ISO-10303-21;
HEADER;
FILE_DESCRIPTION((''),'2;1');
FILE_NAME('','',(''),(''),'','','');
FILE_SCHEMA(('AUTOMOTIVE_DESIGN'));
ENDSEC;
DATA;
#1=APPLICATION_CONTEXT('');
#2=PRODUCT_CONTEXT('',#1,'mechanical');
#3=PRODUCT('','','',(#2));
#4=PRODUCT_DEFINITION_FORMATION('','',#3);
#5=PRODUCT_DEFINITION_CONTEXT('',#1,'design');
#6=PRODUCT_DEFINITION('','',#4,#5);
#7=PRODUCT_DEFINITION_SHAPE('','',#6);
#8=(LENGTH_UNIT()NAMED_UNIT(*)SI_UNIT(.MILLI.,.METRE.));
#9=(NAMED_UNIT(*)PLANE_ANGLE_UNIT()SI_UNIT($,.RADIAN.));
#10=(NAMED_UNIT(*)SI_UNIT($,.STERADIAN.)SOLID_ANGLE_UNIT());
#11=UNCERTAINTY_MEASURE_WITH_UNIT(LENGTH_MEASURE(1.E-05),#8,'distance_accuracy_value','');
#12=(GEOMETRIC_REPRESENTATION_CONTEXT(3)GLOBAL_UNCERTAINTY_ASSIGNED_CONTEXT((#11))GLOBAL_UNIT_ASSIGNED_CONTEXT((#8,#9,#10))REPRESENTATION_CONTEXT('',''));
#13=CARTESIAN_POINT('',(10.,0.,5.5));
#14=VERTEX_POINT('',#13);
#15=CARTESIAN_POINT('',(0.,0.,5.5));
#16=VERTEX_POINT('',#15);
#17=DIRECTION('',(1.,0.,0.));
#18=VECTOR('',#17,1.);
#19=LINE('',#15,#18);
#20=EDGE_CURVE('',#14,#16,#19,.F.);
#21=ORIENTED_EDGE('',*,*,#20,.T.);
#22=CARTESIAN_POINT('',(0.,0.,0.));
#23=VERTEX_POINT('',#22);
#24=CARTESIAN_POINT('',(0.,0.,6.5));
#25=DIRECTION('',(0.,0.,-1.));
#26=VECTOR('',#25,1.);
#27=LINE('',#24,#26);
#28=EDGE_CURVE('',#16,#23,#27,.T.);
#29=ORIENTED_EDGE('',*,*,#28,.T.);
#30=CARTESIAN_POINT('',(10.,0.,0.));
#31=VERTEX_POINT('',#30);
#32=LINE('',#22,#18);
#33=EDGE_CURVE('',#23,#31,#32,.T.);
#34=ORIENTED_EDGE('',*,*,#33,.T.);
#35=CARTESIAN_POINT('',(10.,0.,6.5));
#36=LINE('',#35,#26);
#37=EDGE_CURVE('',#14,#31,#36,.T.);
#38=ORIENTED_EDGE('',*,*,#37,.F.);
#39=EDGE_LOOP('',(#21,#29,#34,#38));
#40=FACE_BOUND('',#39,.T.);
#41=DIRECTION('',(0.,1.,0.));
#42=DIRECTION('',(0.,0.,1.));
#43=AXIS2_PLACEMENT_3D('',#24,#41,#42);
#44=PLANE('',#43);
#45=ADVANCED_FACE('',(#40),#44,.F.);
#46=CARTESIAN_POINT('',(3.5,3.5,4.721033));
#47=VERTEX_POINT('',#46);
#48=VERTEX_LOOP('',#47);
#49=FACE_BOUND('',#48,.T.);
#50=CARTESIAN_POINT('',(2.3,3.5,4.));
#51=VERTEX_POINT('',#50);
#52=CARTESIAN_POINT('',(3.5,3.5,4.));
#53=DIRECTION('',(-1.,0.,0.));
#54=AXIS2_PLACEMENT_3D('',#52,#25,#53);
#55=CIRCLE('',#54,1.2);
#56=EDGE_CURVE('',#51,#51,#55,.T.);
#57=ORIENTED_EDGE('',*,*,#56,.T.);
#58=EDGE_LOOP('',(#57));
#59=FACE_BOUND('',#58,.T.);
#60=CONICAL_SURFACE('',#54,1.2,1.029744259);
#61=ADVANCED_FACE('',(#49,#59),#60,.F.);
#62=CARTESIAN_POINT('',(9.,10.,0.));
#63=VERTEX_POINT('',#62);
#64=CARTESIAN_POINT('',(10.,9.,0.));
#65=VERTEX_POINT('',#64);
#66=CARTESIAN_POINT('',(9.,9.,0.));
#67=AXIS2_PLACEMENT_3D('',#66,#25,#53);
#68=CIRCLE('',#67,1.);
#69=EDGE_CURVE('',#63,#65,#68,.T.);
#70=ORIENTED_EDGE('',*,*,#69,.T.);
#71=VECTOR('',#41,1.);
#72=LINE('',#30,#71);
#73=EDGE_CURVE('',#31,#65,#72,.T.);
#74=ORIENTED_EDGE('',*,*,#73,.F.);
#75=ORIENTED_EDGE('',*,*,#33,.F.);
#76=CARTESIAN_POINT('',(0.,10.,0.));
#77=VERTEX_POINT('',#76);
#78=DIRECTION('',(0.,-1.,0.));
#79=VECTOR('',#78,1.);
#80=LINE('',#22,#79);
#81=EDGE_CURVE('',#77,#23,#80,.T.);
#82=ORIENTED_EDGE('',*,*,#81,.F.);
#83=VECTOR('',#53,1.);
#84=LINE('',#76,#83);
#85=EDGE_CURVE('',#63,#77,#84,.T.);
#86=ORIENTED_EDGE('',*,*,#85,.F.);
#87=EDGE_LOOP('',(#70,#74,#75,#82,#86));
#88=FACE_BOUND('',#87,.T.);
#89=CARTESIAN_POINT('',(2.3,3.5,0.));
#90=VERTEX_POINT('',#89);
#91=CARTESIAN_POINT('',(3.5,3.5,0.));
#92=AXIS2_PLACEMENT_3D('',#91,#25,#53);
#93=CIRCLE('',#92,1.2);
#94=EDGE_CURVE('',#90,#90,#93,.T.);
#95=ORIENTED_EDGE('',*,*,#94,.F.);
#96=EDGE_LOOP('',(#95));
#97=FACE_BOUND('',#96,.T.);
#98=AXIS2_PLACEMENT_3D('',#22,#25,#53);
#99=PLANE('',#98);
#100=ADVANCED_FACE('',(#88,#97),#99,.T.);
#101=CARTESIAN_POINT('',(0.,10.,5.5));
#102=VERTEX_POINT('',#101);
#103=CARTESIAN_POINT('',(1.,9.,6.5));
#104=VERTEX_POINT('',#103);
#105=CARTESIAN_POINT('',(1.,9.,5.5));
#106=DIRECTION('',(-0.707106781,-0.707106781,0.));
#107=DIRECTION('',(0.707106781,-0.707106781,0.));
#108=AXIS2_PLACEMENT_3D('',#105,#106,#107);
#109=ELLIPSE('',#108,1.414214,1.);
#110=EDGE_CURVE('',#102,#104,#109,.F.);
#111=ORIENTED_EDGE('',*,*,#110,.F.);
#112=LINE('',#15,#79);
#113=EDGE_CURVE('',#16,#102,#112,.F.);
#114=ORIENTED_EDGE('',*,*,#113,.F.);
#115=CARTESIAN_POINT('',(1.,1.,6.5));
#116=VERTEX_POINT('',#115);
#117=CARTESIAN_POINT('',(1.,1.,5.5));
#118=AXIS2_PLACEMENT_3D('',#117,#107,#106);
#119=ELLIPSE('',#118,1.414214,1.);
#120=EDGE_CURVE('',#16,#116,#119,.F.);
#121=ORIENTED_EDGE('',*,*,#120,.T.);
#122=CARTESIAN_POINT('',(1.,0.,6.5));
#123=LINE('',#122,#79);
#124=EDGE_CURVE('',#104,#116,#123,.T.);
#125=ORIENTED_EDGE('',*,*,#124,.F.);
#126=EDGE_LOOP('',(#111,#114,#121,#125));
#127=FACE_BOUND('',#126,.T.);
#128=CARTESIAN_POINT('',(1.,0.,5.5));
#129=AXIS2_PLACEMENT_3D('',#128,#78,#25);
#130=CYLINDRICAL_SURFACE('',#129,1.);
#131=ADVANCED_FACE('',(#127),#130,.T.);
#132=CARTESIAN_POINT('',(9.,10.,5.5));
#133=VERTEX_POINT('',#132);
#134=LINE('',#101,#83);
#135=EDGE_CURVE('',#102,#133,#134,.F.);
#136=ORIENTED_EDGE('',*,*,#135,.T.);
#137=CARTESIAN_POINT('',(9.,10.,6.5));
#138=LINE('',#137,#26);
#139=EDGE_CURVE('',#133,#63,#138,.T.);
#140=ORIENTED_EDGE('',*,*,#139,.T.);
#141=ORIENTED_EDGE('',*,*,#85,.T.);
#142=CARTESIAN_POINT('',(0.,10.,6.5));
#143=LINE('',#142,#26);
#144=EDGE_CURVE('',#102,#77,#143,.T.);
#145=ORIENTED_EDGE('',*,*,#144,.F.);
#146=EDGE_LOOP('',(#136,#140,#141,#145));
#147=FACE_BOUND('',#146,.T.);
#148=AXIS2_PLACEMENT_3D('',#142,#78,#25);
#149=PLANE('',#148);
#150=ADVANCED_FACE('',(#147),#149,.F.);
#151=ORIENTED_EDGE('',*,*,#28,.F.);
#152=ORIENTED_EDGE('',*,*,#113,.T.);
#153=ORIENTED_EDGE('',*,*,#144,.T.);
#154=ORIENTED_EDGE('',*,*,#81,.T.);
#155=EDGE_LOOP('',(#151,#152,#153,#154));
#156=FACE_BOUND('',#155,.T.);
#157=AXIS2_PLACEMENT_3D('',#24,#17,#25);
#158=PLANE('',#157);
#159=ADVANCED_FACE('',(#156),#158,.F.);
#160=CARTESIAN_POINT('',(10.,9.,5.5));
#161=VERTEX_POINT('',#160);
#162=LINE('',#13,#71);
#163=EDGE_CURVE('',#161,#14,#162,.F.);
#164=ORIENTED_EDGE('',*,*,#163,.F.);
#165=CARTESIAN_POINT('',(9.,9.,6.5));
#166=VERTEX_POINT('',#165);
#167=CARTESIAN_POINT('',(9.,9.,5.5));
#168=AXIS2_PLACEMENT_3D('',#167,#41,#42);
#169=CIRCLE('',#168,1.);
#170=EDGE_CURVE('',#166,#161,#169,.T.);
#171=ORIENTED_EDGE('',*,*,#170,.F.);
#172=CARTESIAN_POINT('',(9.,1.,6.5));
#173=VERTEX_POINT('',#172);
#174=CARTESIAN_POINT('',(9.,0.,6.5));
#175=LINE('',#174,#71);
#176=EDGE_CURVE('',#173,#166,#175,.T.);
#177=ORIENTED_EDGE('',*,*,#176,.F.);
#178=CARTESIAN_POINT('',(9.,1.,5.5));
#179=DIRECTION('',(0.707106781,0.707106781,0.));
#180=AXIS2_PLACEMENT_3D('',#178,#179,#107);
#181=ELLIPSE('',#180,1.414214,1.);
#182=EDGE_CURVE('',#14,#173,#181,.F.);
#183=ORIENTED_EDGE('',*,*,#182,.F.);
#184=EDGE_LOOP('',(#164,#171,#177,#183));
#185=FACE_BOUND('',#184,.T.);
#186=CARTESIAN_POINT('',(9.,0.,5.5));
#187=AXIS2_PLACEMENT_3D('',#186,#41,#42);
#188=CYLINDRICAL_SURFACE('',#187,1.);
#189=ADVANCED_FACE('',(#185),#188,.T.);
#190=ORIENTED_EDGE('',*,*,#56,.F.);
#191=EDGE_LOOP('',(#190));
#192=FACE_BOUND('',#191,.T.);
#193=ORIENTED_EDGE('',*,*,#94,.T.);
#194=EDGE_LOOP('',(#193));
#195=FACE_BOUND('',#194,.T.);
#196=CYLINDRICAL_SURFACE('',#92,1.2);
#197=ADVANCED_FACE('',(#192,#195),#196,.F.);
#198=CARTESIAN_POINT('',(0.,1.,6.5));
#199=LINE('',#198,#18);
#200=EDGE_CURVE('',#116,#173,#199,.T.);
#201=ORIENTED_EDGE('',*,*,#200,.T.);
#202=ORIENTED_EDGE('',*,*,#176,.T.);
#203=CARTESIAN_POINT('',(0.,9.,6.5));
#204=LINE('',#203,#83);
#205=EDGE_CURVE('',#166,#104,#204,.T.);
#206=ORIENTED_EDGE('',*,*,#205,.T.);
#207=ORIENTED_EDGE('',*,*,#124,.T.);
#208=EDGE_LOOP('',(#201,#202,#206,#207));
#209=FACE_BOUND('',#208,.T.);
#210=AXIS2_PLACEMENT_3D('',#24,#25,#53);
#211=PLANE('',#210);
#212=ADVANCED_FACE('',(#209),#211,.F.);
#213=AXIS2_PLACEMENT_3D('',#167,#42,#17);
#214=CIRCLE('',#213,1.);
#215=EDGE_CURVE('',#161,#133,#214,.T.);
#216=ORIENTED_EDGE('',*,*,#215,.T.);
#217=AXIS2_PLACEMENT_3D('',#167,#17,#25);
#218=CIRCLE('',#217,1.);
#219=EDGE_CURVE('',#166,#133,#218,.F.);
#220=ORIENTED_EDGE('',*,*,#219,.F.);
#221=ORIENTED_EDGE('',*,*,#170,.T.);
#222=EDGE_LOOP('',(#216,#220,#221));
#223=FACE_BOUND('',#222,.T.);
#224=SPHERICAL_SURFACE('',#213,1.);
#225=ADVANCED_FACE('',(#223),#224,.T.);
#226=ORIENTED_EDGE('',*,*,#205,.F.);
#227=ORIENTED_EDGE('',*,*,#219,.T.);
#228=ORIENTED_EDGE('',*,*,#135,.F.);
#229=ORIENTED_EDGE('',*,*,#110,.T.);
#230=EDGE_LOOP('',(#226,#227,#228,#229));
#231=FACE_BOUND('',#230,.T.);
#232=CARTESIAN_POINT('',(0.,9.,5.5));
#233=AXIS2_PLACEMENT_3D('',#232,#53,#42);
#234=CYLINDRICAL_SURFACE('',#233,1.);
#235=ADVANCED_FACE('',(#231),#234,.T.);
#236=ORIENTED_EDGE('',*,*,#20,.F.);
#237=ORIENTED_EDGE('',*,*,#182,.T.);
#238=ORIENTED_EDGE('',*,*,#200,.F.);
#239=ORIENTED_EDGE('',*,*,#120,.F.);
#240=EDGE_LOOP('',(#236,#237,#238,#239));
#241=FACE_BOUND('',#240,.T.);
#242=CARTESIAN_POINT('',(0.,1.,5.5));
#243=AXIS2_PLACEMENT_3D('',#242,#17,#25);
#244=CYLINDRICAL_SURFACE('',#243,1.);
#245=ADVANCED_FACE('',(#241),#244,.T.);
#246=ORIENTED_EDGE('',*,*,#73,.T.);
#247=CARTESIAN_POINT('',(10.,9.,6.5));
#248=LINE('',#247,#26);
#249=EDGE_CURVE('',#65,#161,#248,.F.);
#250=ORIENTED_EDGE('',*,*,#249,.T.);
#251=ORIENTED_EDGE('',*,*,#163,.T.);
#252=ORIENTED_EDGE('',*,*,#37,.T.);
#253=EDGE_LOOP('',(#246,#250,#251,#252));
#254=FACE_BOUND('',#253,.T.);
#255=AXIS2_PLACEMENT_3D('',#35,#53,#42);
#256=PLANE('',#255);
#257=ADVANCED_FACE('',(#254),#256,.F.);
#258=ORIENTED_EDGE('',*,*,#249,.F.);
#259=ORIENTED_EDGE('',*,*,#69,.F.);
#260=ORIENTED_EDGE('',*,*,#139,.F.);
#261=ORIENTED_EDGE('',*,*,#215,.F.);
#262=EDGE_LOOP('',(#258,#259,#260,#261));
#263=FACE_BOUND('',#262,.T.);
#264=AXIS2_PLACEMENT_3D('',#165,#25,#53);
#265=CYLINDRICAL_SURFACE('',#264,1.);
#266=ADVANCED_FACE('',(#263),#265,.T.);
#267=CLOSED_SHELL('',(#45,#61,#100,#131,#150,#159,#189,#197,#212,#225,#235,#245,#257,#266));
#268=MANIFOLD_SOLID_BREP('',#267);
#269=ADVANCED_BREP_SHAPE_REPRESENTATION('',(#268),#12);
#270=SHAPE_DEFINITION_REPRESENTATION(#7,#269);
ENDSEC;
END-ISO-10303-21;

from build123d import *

# Parameters (mm, degrees)
SKETCH1_W                = 10
SKETCH1_H                = 10
BOSS_EXTRUDE1_DEPTH      = 6.5
FILLET1_R                = 1
M2_CLEARANCE_HOLE1_D     = 2.4
M2_CLEARANCE_HOLE1_DEPTH = 4
M2_CLEARANCE_HOLE1_TIP   = 0.721032743


with BuildPart() as part:
    # Sketch1 → Boss-Extrude1 (new body)
    with BuildSketch(Plane.XY):
        with Locations((5, 5)):
            Rectangle(SKETCH1_W, SKETCH1_H)
    extrude(amount=BOSS_EXTRUDE1_DEPTH)

    # Fillet1
    fillet1_edges = [part.edges().sort_by_distance(p)[0] for p in [
        (10, 5, 6.5),
        (5, 10, 6.5),
        (0, 5, 6.5),
        (5, 0, 6.5),
        (10, 10, 3.25),
    ]]
    fillet(fillet1_edges, radius=FILLET1_R)

    # M2 Clearance Hole1
    with Locations(Plane(origin=(0, 0, 0), x_dir=(-1, 0, 0), z_dir=(0, 0, -1))):
        with Locations((-3.5, 3.5)):
            Hole(M2_CLEARANCE_HOLE1_D / 2, depth=M2_CLEARANCE_HOLE1_DEPTH)
            with Locations((0, 0, -(M2_CLEARANCE_HOLE1_DEPTH + M2_CLEARANCE_HOLE1_TIP / 2))):  # 118° drill point
                Cone(0, M2_CLEARANCE_HOLE1_D / 2, M2_CLEARANCE_HOLE1_TIP, mode=Mode.SUBTRACT)


solid = part.part
